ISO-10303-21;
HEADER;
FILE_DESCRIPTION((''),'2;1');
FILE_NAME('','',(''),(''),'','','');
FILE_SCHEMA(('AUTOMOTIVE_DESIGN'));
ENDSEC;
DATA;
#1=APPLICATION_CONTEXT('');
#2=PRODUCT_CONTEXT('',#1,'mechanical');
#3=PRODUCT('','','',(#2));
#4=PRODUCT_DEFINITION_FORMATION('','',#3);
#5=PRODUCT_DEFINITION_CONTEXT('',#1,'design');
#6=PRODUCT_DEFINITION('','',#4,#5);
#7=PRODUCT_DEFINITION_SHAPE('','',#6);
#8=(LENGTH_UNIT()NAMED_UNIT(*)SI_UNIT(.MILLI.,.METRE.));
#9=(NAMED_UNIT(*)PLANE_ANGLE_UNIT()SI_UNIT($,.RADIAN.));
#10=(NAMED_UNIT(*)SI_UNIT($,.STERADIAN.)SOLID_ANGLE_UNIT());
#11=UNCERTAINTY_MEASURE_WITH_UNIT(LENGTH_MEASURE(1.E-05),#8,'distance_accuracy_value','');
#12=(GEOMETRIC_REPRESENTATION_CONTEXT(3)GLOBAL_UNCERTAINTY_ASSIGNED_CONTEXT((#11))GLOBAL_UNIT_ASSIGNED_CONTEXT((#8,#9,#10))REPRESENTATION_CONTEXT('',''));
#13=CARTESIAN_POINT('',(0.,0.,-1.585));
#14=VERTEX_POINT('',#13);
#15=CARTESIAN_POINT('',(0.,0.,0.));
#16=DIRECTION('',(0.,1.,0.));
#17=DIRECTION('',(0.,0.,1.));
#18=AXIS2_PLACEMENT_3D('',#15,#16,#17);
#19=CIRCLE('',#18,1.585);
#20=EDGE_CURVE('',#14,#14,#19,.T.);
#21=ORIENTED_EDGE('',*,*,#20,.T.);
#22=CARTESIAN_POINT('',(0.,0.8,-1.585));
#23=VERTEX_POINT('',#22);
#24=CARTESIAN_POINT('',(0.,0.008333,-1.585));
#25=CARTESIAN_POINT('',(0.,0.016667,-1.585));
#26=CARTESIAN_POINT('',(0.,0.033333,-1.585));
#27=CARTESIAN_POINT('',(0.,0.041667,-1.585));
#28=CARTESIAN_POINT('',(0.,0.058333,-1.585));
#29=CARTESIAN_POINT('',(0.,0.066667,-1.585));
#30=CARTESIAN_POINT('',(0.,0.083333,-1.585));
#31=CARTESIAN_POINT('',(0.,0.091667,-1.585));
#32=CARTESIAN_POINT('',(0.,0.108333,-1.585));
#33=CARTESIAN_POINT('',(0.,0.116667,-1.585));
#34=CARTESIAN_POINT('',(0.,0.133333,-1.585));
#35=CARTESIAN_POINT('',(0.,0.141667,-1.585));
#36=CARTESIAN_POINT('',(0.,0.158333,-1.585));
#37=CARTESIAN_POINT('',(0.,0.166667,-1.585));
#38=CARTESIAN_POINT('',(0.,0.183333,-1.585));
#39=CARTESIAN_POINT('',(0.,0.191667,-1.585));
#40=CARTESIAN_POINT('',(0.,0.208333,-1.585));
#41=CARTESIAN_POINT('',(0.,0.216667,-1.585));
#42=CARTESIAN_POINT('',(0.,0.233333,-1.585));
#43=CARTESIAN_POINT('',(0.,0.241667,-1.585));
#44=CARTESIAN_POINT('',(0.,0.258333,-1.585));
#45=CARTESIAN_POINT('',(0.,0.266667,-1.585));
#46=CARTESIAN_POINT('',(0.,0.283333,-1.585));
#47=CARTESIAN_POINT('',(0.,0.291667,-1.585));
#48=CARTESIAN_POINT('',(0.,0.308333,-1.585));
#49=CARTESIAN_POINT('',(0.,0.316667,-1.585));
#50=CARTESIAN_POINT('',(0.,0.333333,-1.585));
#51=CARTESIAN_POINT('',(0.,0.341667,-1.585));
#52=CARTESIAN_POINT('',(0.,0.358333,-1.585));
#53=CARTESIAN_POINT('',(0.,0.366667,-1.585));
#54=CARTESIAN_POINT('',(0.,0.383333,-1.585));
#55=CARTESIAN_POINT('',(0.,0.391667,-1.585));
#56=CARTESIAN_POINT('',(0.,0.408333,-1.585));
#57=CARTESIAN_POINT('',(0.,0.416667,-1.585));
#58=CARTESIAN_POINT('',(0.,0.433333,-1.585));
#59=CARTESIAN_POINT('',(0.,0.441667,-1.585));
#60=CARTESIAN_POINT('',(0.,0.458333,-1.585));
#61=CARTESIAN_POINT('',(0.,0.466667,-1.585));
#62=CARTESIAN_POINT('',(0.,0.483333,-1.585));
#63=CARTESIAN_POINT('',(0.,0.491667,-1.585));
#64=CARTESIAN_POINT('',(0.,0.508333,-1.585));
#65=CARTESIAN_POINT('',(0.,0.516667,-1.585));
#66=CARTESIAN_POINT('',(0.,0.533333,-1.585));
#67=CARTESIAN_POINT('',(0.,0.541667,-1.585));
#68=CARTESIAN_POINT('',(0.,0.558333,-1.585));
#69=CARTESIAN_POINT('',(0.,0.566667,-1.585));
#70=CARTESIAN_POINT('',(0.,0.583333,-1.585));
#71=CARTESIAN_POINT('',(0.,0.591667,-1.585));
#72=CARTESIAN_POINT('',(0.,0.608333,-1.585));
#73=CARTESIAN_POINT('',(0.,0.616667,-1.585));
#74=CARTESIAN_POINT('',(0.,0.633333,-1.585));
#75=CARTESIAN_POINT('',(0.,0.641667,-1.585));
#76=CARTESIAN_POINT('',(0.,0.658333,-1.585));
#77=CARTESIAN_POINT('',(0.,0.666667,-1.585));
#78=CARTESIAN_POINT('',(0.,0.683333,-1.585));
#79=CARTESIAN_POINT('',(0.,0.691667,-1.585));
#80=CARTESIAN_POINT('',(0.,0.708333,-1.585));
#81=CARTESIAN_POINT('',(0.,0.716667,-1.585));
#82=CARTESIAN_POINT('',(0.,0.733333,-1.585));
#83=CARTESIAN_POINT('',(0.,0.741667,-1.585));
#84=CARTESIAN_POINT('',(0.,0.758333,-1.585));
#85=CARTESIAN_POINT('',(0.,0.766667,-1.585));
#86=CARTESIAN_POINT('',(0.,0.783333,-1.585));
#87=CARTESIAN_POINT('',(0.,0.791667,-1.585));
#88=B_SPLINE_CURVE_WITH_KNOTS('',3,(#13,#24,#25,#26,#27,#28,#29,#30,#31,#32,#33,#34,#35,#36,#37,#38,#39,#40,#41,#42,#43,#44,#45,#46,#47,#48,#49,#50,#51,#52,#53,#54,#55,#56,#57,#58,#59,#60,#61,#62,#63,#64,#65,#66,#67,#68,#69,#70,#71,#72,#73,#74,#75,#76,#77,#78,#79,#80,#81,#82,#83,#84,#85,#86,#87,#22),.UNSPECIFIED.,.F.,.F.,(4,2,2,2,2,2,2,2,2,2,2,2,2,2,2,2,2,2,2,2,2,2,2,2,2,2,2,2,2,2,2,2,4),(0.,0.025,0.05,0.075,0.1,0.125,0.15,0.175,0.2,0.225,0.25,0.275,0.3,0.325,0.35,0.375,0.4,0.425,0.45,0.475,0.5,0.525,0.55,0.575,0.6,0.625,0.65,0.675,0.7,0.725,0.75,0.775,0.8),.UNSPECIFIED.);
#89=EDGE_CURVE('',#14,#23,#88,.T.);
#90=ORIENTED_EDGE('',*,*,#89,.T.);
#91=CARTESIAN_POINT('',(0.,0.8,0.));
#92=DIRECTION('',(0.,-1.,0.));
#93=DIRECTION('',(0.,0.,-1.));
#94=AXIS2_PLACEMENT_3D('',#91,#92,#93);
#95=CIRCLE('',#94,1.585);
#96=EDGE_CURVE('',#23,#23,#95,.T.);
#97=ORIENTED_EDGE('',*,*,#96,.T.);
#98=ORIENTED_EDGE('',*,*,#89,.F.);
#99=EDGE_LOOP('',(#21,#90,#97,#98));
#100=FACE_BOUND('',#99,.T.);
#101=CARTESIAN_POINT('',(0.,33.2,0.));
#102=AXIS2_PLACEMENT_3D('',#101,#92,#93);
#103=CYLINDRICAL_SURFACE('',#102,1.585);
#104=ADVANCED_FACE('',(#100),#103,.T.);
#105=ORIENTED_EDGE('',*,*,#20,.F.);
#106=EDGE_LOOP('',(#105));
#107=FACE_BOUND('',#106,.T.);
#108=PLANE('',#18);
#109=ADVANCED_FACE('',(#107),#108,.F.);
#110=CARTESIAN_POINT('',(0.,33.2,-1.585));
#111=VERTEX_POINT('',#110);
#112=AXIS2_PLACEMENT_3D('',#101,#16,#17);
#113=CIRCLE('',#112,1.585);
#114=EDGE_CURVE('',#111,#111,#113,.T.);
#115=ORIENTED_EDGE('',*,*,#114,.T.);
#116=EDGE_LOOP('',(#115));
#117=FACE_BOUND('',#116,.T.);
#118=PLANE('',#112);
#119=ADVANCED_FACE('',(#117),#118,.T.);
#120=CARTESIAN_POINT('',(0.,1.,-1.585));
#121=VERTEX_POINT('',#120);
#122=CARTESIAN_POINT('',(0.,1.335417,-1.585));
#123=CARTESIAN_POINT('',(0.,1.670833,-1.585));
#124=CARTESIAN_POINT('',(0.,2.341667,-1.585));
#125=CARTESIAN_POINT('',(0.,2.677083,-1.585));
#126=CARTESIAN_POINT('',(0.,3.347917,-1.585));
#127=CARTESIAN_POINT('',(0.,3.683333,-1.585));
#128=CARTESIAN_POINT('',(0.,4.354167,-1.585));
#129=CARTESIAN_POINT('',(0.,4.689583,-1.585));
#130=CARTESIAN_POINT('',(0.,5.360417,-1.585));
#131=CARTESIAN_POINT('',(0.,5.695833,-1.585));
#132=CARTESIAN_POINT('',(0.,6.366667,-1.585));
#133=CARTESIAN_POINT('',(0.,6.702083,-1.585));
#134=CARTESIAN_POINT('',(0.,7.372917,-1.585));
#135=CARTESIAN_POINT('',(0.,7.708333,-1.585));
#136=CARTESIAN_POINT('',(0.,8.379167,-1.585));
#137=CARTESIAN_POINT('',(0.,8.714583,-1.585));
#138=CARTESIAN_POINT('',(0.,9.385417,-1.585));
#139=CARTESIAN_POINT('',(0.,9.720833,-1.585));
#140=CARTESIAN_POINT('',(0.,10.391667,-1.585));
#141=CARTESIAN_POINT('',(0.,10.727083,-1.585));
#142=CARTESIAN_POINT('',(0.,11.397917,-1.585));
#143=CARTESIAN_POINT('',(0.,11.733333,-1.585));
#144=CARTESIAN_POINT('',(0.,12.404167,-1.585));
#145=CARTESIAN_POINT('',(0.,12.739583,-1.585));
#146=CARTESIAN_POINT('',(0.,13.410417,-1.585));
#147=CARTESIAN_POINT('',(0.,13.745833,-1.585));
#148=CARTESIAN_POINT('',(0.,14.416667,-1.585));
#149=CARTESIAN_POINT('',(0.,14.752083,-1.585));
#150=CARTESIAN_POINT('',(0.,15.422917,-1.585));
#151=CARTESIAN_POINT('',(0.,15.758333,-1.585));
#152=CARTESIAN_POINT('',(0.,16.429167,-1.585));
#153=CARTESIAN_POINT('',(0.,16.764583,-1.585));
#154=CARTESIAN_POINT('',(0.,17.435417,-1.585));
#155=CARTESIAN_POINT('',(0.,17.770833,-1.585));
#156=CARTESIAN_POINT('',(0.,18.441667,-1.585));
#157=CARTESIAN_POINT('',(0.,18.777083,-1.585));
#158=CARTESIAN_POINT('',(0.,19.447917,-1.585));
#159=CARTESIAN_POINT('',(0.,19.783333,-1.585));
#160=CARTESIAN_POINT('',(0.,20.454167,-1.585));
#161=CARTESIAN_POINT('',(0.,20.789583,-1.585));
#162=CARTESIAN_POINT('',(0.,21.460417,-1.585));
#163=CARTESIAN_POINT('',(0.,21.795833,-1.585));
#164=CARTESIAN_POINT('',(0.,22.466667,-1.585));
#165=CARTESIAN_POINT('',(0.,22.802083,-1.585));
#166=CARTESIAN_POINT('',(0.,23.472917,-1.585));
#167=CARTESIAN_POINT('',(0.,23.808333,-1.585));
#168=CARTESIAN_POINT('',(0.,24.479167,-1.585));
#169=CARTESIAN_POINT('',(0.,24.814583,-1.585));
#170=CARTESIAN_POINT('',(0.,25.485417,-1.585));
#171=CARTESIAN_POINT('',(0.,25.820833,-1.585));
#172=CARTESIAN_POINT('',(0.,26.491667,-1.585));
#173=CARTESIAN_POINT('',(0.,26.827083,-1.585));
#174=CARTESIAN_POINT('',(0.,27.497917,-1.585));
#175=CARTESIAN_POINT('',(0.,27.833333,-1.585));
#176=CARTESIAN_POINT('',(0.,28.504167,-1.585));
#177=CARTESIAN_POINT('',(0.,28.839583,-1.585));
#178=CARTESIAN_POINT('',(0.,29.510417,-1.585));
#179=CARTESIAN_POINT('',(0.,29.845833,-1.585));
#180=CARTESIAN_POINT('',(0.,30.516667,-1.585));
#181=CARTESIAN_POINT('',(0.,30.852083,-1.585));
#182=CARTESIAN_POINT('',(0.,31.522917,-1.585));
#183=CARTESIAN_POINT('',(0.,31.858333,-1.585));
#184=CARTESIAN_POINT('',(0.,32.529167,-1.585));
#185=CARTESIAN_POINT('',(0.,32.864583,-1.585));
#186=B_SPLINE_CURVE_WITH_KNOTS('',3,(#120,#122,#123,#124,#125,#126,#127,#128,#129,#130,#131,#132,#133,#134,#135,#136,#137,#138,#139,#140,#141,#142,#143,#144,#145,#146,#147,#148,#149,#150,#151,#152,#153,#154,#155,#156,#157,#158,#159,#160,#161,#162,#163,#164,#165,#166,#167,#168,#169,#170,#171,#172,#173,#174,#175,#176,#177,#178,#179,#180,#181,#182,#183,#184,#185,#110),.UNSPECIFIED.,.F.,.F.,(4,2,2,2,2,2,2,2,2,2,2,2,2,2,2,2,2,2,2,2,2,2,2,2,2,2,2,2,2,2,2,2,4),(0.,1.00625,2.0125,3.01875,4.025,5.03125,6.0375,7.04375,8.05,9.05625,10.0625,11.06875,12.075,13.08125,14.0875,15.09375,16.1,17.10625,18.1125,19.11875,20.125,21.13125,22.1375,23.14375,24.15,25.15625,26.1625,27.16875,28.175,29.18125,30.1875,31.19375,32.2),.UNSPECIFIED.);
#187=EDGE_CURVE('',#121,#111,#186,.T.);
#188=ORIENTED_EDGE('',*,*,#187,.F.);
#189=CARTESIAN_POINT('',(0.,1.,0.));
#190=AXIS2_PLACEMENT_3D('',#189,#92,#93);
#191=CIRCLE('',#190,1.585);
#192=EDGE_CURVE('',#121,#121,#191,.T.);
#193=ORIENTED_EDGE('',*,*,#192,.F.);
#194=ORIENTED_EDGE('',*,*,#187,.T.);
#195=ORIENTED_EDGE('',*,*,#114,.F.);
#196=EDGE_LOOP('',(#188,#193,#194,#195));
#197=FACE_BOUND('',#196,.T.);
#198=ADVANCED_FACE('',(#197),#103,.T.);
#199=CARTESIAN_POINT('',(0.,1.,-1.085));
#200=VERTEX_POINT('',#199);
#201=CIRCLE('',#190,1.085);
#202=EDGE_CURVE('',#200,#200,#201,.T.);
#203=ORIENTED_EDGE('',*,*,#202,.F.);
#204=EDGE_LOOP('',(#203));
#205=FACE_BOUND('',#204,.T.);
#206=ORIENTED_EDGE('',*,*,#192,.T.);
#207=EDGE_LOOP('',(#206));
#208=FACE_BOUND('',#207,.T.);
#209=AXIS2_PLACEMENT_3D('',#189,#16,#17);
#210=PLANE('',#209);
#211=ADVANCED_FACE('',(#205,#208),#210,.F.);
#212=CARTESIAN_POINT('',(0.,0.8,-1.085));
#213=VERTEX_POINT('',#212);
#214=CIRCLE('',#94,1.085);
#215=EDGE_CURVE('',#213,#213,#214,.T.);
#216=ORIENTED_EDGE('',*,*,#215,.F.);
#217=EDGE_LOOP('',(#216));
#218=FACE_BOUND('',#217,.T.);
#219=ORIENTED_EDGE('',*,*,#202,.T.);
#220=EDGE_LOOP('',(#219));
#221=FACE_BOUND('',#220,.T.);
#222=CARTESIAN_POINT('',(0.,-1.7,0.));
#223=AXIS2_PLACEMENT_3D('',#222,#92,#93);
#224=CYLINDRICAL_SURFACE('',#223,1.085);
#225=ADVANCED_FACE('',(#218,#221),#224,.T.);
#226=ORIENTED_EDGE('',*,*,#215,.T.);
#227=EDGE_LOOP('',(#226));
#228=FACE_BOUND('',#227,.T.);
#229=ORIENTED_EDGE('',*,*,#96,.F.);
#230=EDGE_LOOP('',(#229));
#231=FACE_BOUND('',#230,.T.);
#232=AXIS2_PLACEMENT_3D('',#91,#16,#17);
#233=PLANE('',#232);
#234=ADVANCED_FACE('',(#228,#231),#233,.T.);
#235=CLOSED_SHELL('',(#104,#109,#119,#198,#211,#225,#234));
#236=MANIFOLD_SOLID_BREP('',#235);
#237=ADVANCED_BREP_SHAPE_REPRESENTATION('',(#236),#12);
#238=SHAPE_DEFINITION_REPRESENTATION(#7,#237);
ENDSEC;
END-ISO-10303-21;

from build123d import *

# Parameters (mm, degrees)
SKETCH1_R           = 1.585
BOSS_EXTRUDE1_DEPTH = 33.2
SKETCH2_W           = 0.5
SKETCH2_H           = 0.2


with BuildPart() as part:
    # Sketch1 → Boss-Extrude1 (new body)
    with BuildSketch(Plane(origin=(0, 0, 0), x_dir=(1, 0, 0), z_dir=(0, 1, 0))):
        with Locations(Location((0, 0, 0), (0, 0, 90))):
            Circle(SKETCH1_R)
    extrude(amount=BOSS_EXTRUDE1_DEPTH)

    # Sketch2 → Cut-Revolve1 (revolve, cut)
    with BuildSketch(Plane.XY, mode=Mode.PRIVATE) as cut_revolve1_sk:
        with Locations((1.335, 0.9)):
            Rectangle(SKETCH2_W, SKETCH2_H)
    revolve(cut_revolve1_sk.sketch.rotate(Axis((0, -1.7, 0), (0, 1, 0)), 90), axis=Axis((0, -1.7, 0), (0, 1, 0)), mode=Mode.SUBTRACT)


solid = part.part
